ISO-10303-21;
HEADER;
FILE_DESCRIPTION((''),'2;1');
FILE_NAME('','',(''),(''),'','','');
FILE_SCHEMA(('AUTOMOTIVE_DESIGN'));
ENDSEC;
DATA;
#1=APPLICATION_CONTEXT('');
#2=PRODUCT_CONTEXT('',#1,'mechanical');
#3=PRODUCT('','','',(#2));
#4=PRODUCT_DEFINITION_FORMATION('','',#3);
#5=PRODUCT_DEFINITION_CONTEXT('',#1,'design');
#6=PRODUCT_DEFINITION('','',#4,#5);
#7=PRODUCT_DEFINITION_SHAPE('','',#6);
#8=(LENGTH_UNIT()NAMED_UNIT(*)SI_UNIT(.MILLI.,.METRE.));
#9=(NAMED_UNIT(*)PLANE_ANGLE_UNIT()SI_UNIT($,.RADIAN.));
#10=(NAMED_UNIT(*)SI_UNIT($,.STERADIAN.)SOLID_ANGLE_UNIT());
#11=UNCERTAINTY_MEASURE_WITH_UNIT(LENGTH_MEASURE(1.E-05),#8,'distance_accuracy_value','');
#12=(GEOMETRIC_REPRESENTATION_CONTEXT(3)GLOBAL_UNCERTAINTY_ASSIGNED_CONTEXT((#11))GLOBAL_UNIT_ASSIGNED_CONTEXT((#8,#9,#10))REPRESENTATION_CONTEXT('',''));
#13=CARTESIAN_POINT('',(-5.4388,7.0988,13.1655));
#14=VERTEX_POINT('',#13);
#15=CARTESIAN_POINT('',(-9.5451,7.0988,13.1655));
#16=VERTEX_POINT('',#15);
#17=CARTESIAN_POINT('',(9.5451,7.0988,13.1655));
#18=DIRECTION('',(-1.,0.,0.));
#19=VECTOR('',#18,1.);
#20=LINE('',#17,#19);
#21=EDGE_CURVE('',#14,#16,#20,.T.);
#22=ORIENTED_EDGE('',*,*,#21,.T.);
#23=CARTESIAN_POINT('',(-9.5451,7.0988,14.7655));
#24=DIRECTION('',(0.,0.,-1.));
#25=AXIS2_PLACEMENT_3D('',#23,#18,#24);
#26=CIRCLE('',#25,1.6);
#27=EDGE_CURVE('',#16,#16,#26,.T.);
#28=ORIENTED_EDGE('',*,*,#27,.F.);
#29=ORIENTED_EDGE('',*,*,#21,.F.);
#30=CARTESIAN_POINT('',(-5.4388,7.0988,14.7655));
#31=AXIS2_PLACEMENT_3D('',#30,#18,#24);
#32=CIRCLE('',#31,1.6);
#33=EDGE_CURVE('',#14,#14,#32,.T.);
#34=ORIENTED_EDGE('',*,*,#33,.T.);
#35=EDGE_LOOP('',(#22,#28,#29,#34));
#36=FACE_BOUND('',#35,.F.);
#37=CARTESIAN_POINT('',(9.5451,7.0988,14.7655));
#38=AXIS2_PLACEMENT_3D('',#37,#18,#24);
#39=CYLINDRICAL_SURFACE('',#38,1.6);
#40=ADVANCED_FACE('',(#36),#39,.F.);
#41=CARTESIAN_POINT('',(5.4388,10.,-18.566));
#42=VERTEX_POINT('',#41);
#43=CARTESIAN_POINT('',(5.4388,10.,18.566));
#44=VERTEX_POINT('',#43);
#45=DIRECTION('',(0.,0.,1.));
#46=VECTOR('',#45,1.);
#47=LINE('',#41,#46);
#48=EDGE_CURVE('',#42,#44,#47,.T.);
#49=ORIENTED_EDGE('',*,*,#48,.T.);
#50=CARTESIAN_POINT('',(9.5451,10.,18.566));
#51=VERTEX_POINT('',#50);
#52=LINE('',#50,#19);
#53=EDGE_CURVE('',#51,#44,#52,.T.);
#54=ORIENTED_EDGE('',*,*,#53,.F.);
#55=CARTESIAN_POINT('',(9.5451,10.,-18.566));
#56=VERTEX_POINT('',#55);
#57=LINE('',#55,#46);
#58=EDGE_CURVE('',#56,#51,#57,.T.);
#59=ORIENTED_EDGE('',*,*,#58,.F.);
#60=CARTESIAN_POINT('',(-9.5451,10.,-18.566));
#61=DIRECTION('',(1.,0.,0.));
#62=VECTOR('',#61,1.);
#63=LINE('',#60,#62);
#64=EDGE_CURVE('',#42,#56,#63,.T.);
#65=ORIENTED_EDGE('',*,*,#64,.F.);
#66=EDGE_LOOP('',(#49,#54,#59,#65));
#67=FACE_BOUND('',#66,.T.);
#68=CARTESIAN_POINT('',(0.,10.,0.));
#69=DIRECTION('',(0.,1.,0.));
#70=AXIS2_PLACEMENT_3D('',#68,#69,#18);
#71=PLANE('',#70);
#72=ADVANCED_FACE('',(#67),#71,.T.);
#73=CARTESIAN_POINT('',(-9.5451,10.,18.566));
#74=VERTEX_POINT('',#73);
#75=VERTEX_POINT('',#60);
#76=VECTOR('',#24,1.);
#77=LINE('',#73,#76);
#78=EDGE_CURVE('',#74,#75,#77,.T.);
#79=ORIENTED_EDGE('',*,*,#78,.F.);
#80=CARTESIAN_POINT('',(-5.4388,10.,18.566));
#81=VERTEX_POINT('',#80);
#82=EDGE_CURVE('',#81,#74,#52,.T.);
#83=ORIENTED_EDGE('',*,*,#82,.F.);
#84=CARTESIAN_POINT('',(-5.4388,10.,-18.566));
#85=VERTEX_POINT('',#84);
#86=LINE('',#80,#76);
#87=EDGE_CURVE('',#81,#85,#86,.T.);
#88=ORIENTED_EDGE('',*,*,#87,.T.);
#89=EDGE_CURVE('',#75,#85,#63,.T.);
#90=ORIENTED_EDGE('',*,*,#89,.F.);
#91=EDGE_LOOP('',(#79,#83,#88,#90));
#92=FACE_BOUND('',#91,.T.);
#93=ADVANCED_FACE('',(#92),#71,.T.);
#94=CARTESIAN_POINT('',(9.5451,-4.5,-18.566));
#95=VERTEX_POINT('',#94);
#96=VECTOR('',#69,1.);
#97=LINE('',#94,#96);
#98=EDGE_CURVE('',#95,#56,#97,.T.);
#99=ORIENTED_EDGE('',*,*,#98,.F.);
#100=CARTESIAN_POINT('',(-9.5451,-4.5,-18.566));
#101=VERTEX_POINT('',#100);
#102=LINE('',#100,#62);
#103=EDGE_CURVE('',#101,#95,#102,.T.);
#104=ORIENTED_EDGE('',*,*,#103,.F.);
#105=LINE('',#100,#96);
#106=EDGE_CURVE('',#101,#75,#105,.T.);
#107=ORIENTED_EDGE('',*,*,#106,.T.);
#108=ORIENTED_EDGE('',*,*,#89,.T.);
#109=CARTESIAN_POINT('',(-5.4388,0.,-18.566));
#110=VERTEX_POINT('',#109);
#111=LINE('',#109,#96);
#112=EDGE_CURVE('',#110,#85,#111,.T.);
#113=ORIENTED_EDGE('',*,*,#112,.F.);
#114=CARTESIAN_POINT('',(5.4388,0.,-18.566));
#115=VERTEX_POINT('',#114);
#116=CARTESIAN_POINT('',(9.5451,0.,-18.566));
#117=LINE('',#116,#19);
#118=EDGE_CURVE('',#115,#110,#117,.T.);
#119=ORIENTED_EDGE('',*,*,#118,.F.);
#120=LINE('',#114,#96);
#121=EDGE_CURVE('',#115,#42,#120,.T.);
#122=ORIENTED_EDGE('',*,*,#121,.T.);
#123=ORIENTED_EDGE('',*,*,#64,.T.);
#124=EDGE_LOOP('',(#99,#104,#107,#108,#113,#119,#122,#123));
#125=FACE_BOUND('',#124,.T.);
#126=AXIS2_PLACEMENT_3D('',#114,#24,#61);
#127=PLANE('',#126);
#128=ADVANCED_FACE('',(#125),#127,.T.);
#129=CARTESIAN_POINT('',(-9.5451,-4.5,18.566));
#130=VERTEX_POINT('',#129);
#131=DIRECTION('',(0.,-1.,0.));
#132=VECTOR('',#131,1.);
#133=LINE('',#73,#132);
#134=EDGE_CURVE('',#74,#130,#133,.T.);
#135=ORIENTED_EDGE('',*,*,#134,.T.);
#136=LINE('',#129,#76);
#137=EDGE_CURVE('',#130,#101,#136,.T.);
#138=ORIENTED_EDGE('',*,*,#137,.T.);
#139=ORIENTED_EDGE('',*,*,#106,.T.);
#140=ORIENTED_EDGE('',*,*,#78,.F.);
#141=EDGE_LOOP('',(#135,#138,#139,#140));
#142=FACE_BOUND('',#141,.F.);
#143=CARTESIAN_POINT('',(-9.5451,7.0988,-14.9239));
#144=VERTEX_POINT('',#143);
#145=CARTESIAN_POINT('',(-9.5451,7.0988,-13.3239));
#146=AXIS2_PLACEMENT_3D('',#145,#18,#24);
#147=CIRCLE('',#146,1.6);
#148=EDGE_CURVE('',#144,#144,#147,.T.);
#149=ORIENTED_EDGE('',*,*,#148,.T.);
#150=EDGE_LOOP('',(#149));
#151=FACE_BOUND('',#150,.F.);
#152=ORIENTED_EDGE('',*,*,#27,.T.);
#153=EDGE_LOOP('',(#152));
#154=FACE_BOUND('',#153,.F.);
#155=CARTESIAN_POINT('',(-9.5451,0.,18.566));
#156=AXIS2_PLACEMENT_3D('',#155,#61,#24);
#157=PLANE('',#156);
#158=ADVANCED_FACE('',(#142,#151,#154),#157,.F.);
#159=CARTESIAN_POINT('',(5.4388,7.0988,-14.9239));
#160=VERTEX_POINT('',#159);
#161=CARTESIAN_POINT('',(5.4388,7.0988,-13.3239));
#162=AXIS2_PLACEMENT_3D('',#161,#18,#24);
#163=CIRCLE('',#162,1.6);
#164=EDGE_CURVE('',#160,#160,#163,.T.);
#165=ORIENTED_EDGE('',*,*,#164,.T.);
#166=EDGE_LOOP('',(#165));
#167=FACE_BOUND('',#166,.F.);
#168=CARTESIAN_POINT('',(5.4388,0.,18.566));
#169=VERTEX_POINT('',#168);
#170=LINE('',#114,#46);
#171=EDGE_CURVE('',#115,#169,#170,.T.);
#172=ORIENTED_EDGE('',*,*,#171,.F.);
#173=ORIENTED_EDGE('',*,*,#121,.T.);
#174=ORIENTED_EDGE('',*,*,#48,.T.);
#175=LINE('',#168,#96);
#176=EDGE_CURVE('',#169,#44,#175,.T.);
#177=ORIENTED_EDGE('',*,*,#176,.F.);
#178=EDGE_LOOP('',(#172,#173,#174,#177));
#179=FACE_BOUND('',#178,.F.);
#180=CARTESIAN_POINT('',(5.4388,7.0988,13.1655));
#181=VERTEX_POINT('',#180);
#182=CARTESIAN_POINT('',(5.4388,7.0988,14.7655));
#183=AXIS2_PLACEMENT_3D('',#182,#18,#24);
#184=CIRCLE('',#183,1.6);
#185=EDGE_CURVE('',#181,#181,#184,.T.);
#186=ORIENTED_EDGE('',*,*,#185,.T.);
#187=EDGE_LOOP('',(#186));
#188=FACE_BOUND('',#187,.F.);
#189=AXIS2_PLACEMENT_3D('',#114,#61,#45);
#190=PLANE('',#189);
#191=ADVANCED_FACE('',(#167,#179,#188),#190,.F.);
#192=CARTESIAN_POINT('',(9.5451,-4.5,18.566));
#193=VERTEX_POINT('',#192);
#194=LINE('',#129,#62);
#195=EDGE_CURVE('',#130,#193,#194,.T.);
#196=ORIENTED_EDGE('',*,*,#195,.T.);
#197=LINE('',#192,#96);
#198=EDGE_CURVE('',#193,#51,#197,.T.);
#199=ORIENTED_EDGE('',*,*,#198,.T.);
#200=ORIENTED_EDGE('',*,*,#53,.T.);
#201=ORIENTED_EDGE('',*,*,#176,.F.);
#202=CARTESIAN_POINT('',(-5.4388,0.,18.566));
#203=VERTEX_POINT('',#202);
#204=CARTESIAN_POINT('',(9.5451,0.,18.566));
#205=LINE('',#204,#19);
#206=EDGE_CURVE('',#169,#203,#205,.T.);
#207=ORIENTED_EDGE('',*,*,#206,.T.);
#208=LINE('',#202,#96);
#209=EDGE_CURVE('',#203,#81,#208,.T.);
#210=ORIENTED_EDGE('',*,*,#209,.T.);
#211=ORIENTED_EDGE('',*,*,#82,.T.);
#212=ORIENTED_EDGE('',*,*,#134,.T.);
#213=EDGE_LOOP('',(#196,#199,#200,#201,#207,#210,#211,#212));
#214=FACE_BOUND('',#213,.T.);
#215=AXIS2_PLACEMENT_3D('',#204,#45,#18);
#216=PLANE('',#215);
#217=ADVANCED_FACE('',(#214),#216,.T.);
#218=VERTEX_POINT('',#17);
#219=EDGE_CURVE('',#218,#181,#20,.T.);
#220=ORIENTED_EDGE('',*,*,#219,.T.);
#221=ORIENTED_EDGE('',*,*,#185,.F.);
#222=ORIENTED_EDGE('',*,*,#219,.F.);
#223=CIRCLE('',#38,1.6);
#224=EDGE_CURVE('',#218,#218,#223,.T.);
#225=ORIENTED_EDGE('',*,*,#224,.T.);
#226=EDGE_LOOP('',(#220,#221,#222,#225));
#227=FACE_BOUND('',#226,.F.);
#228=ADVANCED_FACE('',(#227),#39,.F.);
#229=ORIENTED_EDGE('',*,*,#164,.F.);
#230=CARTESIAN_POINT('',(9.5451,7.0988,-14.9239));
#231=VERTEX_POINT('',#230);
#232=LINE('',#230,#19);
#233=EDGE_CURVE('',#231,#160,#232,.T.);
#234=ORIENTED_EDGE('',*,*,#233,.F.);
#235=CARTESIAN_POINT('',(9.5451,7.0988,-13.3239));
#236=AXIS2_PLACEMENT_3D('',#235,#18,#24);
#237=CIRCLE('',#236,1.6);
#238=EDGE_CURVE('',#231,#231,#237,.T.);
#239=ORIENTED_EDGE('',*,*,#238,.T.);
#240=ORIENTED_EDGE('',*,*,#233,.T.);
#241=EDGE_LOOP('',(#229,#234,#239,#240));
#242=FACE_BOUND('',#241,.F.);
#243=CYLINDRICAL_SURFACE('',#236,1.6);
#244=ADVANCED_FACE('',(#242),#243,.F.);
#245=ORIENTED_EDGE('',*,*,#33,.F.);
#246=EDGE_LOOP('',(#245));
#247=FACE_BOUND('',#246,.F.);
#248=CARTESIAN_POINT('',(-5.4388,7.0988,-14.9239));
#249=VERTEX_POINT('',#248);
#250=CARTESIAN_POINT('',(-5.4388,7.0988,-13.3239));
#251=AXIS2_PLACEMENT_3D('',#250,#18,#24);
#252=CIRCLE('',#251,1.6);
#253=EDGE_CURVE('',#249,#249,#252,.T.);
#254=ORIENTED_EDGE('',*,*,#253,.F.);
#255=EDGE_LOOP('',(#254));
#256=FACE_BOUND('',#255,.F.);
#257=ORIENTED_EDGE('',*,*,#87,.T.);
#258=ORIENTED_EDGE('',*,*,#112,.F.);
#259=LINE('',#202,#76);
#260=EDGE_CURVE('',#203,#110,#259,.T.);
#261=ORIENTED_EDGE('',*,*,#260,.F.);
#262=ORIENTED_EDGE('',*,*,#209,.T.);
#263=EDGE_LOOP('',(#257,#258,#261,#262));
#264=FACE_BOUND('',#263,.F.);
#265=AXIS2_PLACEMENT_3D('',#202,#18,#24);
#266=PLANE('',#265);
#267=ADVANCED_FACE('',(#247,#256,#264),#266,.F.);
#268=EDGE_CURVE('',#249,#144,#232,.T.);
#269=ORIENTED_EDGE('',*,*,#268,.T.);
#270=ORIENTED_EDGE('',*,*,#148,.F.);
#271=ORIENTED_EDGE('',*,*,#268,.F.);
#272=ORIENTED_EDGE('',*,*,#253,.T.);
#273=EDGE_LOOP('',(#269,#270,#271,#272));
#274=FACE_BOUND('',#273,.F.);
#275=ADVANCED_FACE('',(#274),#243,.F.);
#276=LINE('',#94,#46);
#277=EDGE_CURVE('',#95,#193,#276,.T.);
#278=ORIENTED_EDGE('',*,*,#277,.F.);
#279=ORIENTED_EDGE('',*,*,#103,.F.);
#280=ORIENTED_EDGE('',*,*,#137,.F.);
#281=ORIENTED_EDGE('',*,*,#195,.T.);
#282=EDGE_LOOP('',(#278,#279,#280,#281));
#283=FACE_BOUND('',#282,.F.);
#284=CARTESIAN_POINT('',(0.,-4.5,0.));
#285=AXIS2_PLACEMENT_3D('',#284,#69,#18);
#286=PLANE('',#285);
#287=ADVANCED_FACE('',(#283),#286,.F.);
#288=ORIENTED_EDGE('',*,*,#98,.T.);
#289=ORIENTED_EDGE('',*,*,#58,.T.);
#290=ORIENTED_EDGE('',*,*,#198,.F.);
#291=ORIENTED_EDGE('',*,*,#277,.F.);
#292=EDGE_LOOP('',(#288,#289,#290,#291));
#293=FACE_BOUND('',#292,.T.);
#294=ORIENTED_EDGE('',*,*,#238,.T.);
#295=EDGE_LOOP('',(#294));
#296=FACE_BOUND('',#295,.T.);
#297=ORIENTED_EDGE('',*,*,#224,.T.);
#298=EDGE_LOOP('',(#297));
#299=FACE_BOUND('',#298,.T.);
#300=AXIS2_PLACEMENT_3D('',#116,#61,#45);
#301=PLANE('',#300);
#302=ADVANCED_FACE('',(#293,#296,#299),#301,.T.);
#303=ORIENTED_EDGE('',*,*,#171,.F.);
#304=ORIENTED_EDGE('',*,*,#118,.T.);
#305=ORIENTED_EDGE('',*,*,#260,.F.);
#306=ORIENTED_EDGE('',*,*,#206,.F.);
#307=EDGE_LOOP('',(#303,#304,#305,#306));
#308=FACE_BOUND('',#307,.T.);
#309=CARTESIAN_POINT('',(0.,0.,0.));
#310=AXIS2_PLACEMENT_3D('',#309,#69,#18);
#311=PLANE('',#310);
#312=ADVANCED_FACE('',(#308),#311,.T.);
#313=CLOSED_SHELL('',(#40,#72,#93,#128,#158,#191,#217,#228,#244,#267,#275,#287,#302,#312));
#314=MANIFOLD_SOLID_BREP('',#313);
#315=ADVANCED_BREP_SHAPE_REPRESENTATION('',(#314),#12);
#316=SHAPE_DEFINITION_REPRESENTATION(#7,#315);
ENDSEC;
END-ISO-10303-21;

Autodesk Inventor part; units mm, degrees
ref_plane "YZ Plane" through (0, 0, 0) normal (1, 0, 0) x (0, 1, 0)
ref_plane "XZ Plane" through (0, 0, 0) normal (0, 1, 0) x (-1, 0, 0)
ref_plane "XY Plane" through (0, 0, 0) normal (0, 0, 1) x (1, 0, 0)
sketch "Sketch1" plane through (0, 0, 0) normal (0, 1, 0) x (-1, 0, 0)
  line L0 (-9.5451, 18.566) -> (9.5451, 18.566)
  line L1 (9.5451, 18.566) -> (9.5451, -18.566)
  line L2 (9.5451, -18.566) -> (-9.5451, -18.566)
  line L3 (-9.5451, -18.566) -> (-9.5451, 18.566)
  line L4 (-9.5451, 18.566) -> (9.5451, -18.566) construction
  line L5 (9.5451, 18.566) -> (-9.5451, -18.566) construction
  line L6 (-5.4388, 18.566) -> (5.4388, 18.566)
  line L7 (5.4388, 18.566) -> (5.4388, -18.566)
  line L8 (5.4388, -18.566) -> (-5.4388, -18.566)
  line L9 (-5.4388, -18.566) -> (-5.4388, 18.566)
  line L10 (-5.4388, 18.566) -> (5.4388, -18.566) construction
  line L11 (5.4388, 18.566) -> (-5.4388, -18.566) construction
  point P0 (0, 0)
extrude "Extrusion1" add sketch "Sketch1" along normal blind 10 contours L0 L9 L2 L3 | L0 L1 L2 L7
extrude "Extrusion2" add sketch "Sketch1" against normal blind 4.5
sketch "Sketch2" plane through (9.5451, 10, 18.566) normal (1, 0, 0) x (0, 0, -1)
  line L0 (3.8006, -2.9012) -> (31.8899, -2.9012)
  point P0 (18.566, -10)
hole "Hole1" at (9.5451, 7.0988, 14.7655) at (9.5451, 7.0988, -13.3239) direction (-1, 0, 0) diameter 3.2 end through all
